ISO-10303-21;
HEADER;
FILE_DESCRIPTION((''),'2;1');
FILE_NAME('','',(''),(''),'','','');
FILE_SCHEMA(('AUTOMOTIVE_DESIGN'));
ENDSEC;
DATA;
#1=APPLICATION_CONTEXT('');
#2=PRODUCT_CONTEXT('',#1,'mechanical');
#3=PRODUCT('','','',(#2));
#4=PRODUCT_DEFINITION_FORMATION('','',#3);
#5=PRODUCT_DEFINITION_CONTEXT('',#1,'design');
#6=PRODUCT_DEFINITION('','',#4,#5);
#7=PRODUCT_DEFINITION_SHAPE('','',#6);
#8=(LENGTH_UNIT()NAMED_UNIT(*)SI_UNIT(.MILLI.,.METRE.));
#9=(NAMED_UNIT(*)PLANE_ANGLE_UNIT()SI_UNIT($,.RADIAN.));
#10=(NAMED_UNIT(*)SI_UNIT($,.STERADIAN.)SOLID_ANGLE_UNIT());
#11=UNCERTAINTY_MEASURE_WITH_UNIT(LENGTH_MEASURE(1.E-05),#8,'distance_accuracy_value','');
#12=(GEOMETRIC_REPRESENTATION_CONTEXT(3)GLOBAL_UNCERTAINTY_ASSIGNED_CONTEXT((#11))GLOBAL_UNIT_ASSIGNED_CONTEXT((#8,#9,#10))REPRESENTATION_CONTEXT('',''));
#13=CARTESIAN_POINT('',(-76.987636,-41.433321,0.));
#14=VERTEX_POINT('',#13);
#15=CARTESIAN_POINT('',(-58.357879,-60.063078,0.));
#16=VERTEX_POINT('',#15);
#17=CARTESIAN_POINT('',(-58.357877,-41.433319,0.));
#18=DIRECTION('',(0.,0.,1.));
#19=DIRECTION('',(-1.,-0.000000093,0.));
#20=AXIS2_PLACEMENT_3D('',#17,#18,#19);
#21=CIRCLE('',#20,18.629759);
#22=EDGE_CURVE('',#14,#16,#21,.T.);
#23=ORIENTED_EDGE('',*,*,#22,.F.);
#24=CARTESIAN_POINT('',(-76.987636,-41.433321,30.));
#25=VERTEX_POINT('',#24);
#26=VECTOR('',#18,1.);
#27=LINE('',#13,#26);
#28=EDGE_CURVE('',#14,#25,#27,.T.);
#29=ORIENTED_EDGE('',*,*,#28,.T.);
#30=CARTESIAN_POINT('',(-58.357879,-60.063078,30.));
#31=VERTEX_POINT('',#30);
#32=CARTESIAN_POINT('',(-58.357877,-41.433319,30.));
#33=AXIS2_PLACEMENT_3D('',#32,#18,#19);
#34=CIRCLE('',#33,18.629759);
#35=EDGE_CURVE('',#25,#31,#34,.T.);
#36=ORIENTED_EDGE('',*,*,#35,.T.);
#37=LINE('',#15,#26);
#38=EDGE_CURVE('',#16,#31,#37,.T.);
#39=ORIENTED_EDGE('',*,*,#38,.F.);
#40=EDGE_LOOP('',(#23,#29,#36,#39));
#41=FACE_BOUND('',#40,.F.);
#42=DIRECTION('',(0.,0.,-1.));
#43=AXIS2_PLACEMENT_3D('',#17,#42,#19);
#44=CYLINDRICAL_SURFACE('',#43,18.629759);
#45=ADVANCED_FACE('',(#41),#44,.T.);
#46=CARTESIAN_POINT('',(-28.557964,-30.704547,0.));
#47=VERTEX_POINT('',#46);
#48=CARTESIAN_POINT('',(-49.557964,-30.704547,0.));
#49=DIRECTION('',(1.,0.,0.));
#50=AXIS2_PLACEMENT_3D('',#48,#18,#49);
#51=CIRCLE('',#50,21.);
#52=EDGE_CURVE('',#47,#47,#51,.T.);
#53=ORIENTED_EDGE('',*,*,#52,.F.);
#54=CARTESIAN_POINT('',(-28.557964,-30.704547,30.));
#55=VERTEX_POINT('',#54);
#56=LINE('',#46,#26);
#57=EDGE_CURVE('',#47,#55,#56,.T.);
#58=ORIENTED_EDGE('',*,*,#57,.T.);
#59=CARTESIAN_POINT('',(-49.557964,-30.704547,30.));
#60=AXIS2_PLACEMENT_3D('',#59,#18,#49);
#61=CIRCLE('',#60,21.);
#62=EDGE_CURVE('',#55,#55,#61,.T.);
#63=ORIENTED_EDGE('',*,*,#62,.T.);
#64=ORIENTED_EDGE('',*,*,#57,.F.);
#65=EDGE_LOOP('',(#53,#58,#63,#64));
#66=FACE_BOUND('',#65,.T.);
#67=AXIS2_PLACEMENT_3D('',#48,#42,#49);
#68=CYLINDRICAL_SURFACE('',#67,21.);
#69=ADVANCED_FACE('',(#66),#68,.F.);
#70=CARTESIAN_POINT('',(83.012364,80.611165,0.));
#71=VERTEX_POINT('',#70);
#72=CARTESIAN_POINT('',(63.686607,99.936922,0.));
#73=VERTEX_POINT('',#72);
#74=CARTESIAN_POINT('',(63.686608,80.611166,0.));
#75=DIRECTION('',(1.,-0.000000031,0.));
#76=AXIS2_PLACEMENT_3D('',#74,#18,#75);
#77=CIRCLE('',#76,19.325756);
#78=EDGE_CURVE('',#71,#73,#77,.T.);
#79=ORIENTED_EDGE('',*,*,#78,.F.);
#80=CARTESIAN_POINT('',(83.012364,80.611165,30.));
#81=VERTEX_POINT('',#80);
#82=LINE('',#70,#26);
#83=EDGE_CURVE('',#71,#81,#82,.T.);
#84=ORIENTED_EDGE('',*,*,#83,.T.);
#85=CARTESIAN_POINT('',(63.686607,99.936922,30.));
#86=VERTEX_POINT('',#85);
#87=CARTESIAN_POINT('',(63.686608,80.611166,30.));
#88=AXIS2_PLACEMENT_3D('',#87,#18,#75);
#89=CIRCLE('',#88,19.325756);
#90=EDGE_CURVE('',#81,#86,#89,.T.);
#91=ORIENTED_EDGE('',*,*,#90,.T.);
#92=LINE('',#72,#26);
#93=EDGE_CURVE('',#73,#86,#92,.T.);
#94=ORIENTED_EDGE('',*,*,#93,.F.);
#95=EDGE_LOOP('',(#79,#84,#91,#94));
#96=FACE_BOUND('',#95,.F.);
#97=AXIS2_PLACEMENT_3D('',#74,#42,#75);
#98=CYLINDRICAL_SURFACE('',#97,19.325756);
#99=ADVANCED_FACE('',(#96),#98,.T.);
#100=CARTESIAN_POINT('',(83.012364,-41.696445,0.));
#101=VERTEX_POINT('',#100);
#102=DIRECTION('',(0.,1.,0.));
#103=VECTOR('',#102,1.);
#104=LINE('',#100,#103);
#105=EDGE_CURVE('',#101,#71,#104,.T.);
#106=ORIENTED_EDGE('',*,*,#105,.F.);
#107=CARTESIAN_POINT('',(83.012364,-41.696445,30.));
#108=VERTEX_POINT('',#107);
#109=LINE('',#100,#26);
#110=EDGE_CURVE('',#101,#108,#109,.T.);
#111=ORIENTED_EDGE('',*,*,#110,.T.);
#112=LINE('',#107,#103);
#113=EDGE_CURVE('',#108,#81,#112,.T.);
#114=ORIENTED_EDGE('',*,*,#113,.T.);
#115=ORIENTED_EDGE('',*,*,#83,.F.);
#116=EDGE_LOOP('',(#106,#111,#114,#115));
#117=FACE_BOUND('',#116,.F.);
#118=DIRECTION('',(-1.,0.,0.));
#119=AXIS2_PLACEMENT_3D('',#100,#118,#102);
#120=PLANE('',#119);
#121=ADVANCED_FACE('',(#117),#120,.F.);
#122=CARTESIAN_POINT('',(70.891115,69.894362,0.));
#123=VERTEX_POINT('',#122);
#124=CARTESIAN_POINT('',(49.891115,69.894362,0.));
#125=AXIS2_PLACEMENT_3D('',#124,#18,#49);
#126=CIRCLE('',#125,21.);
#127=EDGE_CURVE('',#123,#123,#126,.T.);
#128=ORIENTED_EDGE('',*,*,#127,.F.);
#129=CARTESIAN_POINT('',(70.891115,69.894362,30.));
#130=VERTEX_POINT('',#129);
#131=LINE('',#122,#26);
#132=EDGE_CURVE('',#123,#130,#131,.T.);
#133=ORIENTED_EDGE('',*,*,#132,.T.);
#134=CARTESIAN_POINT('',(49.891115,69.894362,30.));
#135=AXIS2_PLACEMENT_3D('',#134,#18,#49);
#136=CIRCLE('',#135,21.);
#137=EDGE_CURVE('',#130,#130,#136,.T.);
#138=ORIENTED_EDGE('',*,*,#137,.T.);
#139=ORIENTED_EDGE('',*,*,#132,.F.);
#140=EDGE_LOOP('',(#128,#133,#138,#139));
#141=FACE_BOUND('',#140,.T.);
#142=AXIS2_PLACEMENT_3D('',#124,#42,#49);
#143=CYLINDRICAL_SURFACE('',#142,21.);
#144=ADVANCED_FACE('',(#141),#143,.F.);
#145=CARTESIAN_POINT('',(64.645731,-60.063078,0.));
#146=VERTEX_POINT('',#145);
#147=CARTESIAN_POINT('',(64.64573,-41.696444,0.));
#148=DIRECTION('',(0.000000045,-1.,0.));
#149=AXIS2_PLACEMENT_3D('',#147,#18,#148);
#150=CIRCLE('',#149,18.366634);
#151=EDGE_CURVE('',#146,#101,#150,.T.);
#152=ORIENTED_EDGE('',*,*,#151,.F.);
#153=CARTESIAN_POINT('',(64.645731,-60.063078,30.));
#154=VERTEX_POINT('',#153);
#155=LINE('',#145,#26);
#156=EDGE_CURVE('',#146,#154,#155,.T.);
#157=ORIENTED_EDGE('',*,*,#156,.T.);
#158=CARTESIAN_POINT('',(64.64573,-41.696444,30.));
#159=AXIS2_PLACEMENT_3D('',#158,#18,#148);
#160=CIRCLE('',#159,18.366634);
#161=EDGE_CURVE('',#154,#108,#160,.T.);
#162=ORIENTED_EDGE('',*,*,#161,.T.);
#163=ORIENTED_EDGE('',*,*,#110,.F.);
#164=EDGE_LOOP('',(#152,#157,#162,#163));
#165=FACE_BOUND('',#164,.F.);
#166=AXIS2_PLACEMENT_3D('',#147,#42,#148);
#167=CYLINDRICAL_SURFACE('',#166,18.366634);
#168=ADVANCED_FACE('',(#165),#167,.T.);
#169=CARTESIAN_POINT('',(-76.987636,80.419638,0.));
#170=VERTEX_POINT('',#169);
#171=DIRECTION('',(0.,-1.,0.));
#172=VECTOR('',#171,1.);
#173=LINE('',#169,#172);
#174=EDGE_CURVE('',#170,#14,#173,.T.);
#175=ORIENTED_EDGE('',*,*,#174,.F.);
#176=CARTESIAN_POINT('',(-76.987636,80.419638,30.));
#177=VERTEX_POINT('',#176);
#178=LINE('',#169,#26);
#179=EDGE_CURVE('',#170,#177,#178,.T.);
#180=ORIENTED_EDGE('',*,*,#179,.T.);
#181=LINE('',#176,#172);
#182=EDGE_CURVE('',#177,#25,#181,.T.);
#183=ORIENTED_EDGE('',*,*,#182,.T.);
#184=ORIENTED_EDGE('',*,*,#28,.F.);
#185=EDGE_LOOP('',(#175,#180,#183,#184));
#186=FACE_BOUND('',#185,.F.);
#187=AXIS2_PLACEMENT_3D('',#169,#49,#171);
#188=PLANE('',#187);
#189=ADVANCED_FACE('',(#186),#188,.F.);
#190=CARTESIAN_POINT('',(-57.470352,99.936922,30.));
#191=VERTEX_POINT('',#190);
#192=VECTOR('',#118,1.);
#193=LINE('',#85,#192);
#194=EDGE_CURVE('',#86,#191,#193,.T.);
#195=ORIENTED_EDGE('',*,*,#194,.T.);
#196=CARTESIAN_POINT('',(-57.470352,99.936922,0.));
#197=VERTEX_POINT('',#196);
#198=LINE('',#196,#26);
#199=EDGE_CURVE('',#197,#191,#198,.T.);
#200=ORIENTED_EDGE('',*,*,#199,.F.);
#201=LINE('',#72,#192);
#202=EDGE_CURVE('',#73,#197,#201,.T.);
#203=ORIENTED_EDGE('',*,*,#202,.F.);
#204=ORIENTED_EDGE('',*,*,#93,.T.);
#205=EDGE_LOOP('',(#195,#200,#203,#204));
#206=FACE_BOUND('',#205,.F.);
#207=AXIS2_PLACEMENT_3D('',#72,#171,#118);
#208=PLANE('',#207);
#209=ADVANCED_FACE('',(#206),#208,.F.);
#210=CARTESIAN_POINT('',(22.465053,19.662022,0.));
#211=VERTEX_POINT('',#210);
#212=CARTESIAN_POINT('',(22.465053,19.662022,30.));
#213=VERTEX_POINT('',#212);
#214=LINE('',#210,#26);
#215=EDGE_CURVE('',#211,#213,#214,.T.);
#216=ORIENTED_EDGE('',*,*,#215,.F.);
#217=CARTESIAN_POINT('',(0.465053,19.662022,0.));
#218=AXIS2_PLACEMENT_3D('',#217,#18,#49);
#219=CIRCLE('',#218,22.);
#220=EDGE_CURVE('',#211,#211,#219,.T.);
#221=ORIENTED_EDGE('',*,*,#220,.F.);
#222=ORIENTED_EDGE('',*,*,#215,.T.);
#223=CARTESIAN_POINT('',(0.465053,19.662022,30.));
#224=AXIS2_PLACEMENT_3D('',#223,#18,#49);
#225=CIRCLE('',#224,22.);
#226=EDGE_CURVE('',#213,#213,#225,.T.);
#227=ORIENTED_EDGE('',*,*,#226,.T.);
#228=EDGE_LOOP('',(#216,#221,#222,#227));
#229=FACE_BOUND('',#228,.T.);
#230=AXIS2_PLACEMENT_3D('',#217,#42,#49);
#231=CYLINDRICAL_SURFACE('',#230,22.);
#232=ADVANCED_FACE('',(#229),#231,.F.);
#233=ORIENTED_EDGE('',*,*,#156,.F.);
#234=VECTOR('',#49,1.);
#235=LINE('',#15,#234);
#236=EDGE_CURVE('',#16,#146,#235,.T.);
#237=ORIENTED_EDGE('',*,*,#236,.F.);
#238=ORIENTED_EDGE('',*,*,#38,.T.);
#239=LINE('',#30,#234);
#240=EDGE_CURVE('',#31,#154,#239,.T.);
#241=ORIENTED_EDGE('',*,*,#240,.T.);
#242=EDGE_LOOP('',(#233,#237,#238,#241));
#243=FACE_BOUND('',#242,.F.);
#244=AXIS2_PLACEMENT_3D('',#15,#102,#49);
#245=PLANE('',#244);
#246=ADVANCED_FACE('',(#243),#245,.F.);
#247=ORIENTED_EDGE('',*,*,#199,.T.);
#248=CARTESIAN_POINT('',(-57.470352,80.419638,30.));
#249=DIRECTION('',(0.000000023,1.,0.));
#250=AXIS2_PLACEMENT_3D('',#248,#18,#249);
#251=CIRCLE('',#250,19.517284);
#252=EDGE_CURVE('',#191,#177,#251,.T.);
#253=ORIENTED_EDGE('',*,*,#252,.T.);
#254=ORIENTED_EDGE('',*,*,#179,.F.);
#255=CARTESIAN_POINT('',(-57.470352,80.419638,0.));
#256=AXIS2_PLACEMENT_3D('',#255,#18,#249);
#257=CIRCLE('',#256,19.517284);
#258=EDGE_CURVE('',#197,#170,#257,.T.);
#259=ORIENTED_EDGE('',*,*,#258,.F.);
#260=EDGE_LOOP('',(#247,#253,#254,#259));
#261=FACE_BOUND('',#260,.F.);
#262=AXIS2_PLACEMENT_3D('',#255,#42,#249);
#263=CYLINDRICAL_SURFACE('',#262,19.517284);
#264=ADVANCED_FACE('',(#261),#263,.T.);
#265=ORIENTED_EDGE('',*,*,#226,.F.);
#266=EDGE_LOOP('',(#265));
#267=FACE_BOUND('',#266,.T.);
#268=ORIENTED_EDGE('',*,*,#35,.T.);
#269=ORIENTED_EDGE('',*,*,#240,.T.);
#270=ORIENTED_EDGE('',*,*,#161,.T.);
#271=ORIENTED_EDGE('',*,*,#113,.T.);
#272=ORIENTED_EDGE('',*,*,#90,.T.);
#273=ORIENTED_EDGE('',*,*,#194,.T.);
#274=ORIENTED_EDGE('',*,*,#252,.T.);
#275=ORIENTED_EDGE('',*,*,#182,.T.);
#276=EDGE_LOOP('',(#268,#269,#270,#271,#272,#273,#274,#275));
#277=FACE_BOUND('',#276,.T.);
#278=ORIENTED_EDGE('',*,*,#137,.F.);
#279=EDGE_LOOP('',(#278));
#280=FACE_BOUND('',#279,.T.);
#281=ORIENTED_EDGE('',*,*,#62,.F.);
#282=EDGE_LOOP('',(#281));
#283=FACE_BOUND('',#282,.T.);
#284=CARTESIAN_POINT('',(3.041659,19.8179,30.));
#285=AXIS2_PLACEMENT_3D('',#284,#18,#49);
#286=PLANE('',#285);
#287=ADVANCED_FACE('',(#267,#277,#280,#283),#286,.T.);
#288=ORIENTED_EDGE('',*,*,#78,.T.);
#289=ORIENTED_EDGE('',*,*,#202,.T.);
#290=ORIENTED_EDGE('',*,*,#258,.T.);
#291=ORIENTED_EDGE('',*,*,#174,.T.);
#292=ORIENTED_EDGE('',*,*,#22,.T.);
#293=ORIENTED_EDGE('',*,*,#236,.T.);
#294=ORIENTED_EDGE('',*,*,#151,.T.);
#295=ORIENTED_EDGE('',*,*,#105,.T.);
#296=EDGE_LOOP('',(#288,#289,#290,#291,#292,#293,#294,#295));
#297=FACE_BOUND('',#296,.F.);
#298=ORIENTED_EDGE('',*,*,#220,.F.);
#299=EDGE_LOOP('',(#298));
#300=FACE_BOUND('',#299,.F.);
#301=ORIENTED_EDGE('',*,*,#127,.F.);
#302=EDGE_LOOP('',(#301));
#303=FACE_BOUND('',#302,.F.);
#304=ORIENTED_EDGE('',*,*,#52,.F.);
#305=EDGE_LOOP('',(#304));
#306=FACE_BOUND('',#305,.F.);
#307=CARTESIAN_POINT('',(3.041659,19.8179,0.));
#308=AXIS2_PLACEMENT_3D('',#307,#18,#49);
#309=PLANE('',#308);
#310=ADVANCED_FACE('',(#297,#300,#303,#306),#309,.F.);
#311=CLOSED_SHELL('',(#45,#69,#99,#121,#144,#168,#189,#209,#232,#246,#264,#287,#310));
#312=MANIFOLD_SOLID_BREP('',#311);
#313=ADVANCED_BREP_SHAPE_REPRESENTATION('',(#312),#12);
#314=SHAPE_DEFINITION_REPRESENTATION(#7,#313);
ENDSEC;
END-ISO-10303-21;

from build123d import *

# Parameters (mm, degrees)
SKETCH_R   = 21
SKETCH_R_2 = 22
PAD_DEPTH  = 30


with BuildPart() as part:
    # Sketch → Pad (new body)
    with BuildSketch(Plane.XY):
        with BuildLine():
            Line((-58.357879, -60.063078), (64.645731, -60.063078))
            ThreePointArc((64.645731, -60.063078), (77.632902, -54.683615), (83.012364, -41.696445))
            Line((83.012364, -41.696445), (83.012364, 80.611165))
            ThreePointArc((83.012364, 80.611165), (77.351981, 94.276539), (63.686607, 99.936922))
            Line((63.686607, 99.936922), (-57.470352, 99.936922))
            ThreePointArc((-57.470352, 99.936922), (-71.271156, 94.220442), (-76.987636, 80.419638))
            Line((-76.987636, 80.419638), (-76.987636, -41.433321))
            ThreePointArc((-76.987636, -41.433321), (-71.531106, -54.606548), (-58.357879, -60.063078))
        make_face()
        with Locations((-49.557964, -30.704547)):
            Circle(SKETCH_R, mode=Mode.SUBTRACT)
        with Locations((49.891115, 69.894362)):
            Circle(SKETCH_R, mode=Mode.SUBTRACT)
        with Locations((0.465053, 19.662022)):
            Circle(SKETCH_R_2, mode=Mode.SUBTRACT)
    extrude(amount=PAD_DEPTH)


solid = part.part
